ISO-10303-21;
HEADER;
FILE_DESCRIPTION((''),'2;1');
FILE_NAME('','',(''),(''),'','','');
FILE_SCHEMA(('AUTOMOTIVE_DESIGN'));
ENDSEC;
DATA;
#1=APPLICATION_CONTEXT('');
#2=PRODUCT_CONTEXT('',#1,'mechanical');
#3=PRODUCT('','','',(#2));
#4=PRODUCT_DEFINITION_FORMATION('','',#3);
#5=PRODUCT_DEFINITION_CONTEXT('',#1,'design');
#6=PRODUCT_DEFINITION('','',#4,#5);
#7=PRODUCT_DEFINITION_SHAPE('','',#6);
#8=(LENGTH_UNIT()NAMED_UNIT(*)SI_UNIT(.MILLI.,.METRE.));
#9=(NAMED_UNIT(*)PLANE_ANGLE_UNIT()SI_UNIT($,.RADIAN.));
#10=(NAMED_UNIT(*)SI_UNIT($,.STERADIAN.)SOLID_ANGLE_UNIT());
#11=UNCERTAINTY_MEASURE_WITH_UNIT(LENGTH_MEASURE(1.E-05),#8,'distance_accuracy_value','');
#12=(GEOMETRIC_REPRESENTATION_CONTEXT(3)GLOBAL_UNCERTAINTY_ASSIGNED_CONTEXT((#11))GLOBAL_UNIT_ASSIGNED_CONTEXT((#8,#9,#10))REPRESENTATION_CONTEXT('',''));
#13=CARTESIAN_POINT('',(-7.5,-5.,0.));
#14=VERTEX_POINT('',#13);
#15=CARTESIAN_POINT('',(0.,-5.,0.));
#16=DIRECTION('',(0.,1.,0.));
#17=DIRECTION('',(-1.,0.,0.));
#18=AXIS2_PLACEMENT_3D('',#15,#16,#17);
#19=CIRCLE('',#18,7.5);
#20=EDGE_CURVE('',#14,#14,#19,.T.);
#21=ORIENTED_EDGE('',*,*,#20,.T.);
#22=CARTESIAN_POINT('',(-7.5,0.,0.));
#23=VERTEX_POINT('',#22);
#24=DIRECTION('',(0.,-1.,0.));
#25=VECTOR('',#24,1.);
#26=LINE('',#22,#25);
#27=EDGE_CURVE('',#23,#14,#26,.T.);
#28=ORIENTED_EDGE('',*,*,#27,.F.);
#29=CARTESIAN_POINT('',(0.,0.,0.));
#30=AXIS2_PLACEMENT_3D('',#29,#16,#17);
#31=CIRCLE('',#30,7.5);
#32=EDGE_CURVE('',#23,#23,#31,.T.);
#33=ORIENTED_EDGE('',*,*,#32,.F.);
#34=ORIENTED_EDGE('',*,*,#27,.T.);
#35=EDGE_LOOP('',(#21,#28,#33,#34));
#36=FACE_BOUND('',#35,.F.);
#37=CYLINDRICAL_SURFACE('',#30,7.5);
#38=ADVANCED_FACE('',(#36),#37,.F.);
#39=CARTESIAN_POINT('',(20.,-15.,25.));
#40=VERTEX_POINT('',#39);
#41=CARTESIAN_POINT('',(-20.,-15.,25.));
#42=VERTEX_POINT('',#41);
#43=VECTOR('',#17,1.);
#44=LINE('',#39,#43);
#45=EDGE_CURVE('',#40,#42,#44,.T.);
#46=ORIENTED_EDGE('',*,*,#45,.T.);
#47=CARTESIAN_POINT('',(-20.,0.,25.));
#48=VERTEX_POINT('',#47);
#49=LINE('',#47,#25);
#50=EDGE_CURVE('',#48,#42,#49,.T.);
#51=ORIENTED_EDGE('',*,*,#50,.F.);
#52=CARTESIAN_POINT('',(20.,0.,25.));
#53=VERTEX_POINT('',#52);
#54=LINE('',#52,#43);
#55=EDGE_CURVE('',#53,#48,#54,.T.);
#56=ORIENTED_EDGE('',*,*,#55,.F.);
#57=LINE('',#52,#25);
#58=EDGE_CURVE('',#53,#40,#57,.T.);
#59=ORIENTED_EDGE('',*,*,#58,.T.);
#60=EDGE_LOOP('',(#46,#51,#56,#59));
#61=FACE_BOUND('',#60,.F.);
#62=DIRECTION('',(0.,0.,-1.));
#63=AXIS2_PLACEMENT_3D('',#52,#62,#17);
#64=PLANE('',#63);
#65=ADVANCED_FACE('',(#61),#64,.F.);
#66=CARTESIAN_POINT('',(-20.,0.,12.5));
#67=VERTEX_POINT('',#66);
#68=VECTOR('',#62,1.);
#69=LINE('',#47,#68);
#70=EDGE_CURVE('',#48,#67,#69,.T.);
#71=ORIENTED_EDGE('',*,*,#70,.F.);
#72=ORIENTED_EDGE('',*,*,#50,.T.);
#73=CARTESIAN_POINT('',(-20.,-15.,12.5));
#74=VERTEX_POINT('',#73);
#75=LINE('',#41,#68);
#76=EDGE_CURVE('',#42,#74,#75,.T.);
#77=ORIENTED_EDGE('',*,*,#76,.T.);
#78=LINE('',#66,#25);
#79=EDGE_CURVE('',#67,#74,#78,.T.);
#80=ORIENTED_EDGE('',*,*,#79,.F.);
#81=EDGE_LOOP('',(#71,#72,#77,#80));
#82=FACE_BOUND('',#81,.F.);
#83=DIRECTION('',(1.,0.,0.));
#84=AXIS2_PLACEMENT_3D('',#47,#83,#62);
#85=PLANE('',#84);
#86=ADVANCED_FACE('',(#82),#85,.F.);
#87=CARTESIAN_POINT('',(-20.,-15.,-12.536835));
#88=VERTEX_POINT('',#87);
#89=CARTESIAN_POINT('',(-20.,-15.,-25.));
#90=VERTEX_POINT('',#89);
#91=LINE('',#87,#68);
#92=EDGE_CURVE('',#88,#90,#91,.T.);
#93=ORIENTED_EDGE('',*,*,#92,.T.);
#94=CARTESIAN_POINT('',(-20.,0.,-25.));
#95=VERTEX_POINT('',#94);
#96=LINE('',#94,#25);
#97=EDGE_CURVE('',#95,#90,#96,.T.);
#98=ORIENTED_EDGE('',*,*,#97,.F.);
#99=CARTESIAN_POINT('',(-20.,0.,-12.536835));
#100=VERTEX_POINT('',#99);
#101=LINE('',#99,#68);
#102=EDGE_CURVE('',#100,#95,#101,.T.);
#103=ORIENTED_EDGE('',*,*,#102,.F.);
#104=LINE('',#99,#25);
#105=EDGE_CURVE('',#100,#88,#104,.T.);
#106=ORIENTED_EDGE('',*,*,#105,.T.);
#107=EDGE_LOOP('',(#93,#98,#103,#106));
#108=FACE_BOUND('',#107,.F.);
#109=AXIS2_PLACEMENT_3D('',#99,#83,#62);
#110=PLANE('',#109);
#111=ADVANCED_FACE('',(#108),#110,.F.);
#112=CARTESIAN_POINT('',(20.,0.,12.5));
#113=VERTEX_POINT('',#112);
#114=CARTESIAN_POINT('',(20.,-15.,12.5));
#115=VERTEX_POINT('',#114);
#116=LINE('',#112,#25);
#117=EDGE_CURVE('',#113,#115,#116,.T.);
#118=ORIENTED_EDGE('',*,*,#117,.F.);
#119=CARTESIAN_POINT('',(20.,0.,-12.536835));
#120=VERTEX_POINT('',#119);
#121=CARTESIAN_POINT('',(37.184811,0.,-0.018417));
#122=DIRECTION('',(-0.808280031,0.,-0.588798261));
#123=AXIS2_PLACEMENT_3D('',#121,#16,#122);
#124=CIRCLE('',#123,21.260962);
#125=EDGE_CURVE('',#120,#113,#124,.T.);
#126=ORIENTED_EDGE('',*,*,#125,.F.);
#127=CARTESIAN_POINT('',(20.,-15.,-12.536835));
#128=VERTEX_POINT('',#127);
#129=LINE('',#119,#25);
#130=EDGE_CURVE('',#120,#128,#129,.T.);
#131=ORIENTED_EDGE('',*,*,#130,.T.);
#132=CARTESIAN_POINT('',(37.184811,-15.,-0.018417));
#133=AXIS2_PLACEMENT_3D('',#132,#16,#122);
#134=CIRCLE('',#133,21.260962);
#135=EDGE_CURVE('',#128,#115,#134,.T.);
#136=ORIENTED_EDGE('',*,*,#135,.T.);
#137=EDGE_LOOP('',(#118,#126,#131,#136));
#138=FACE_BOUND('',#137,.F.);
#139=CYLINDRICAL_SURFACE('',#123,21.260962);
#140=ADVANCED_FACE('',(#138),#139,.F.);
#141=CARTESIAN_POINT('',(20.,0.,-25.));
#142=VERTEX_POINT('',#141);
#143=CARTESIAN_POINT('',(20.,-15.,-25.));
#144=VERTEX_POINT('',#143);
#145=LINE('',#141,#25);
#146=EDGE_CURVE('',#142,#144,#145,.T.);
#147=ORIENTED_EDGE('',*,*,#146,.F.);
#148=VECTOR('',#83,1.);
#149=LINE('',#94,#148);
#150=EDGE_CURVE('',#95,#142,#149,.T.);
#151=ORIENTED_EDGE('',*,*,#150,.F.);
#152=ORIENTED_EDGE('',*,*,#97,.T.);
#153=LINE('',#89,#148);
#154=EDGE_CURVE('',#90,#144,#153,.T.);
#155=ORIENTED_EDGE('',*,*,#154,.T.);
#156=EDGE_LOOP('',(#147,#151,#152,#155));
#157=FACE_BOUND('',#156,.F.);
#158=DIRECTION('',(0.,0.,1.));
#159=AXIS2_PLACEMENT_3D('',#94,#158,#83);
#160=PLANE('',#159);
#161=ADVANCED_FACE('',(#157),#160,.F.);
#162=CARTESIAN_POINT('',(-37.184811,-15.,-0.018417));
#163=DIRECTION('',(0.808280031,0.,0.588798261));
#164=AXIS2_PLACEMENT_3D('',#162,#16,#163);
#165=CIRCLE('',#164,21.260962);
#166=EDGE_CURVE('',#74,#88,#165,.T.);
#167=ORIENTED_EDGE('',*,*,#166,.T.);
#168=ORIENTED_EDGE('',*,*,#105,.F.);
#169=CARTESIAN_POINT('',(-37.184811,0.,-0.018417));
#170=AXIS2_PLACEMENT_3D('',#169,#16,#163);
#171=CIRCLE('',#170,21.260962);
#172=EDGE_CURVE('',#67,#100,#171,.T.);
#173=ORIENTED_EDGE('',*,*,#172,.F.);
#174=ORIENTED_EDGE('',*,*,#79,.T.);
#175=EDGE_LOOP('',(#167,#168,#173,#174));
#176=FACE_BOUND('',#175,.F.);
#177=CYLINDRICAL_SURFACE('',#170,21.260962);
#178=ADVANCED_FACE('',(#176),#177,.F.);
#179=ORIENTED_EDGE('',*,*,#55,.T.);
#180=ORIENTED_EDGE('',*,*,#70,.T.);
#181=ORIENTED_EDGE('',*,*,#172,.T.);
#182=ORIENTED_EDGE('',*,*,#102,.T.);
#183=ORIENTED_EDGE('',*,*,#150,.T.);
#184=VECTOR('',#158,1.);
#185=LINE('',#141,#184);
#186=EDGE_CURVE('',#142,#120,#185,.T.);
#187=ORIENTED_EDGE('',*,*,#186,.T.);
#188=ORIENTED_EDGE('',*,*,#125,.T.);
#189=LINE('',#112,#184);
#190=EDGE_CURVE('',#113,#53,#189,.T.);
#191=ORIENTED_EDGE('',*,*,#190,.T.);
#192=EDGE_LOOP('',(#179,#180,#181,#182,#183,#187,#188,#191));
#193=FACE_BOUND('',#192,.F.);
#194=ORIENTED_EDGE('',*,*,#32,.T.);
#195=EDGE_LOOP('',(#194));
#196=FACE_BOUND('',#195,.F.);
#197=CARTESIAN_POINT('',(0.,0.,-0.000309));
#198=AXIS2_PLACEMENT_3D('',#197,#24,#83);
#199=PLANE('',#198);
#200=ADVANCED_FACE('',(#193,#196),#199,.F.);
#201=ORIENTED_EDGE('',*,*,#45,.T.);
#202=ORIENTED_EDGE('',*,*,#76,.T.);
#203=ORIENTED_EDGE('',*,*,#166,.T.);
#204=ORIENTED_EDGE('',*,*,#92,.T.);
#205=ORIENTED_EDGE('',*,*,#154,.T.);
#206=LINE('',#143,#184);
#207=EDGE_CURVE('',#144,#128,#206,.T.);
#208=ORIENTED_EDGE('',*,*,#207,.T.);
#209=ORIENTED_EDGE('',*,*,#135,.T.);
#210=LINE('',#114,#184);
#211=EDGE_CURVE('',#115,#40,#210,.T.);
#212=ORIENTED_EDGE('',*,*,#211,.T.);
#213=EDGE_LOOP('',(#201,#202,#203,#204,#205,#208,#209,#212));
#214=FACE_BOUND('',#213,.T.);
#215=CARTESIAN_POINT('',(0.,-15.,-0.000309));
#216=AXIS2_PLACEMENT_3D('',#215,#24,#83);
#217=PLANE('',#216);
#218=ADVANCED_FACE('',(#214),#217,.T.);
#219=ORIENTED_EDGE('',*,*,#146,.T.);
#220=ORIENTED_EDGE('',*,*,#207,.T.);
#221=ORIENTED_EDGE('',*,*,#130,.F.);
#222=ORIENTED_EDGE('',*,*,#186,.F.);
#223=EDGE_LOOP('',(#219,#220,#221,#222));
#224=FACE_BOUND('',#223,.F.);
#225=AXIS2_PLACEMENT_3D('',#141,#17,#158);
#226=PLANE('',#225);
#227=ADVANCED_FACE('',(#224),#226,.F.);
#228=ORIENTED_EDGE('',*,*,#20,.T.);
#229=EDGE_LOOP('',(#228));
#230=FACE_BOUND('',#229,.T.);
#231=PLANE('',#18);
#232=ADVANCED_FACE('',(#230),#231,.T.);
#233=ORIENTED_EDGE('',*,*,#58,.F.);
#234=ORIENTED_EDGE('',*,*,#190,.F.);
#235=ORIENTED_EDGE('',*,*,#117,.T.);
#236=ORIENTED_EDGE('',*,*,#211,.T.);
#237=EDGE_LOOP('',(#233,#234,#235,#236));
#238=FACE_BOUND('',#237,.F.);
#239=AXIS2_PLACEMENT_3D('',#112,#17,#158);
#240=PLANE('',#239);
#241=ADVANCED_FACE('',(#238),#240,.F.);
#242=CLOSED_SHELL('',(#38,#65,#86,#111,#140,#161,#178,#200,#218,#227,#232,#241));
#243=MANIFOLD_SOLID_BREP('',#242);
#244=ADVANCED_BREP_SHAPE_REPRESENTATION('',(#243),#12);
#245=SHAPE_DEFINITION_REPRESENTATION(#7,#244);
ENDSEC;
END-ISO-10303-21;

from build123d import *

# Parameters (mm, degrees)
F1_DEPTH = 15
F2_R     = 7.5
F3_DEPTH = 5


with BuildPart() as f1:
    # F0 (on Front) → F1 (new body)
    with BuildSketch(Plane.XZ):
        with BuildLine():
            Line((-20, -25), (20, -25))
            Line((20, -25), (20, -12.536835))
            ThreePointArc((20, -12.536835), (15.923849, -0.018417), (20, 12.5))
            Line((20, 12.5), (20, 25))
            Line((20, 25), (-20, 25))
            Line((-20, 25), (-20, 12.5))
            ThreePointArc((-20, 12.5), (-15.923849, -0.018417), (-20, -12.536835))
            Line((-20, -12.536835), (-20, -25))
        make_face()
    extrude(amount=F1_DEPTH)

    # F2 (on face) → F3 (cut)
    with BuildSketch(Plane(origin=(0, 0, 0), x_dir=(-1, 0, 0), z_dir=(0, 1, 0))):
        Circle(F2_R)
    extrude(amount=-F3_DEPTH, mode=Mode.SUBTRACT)


solid = f1.part
